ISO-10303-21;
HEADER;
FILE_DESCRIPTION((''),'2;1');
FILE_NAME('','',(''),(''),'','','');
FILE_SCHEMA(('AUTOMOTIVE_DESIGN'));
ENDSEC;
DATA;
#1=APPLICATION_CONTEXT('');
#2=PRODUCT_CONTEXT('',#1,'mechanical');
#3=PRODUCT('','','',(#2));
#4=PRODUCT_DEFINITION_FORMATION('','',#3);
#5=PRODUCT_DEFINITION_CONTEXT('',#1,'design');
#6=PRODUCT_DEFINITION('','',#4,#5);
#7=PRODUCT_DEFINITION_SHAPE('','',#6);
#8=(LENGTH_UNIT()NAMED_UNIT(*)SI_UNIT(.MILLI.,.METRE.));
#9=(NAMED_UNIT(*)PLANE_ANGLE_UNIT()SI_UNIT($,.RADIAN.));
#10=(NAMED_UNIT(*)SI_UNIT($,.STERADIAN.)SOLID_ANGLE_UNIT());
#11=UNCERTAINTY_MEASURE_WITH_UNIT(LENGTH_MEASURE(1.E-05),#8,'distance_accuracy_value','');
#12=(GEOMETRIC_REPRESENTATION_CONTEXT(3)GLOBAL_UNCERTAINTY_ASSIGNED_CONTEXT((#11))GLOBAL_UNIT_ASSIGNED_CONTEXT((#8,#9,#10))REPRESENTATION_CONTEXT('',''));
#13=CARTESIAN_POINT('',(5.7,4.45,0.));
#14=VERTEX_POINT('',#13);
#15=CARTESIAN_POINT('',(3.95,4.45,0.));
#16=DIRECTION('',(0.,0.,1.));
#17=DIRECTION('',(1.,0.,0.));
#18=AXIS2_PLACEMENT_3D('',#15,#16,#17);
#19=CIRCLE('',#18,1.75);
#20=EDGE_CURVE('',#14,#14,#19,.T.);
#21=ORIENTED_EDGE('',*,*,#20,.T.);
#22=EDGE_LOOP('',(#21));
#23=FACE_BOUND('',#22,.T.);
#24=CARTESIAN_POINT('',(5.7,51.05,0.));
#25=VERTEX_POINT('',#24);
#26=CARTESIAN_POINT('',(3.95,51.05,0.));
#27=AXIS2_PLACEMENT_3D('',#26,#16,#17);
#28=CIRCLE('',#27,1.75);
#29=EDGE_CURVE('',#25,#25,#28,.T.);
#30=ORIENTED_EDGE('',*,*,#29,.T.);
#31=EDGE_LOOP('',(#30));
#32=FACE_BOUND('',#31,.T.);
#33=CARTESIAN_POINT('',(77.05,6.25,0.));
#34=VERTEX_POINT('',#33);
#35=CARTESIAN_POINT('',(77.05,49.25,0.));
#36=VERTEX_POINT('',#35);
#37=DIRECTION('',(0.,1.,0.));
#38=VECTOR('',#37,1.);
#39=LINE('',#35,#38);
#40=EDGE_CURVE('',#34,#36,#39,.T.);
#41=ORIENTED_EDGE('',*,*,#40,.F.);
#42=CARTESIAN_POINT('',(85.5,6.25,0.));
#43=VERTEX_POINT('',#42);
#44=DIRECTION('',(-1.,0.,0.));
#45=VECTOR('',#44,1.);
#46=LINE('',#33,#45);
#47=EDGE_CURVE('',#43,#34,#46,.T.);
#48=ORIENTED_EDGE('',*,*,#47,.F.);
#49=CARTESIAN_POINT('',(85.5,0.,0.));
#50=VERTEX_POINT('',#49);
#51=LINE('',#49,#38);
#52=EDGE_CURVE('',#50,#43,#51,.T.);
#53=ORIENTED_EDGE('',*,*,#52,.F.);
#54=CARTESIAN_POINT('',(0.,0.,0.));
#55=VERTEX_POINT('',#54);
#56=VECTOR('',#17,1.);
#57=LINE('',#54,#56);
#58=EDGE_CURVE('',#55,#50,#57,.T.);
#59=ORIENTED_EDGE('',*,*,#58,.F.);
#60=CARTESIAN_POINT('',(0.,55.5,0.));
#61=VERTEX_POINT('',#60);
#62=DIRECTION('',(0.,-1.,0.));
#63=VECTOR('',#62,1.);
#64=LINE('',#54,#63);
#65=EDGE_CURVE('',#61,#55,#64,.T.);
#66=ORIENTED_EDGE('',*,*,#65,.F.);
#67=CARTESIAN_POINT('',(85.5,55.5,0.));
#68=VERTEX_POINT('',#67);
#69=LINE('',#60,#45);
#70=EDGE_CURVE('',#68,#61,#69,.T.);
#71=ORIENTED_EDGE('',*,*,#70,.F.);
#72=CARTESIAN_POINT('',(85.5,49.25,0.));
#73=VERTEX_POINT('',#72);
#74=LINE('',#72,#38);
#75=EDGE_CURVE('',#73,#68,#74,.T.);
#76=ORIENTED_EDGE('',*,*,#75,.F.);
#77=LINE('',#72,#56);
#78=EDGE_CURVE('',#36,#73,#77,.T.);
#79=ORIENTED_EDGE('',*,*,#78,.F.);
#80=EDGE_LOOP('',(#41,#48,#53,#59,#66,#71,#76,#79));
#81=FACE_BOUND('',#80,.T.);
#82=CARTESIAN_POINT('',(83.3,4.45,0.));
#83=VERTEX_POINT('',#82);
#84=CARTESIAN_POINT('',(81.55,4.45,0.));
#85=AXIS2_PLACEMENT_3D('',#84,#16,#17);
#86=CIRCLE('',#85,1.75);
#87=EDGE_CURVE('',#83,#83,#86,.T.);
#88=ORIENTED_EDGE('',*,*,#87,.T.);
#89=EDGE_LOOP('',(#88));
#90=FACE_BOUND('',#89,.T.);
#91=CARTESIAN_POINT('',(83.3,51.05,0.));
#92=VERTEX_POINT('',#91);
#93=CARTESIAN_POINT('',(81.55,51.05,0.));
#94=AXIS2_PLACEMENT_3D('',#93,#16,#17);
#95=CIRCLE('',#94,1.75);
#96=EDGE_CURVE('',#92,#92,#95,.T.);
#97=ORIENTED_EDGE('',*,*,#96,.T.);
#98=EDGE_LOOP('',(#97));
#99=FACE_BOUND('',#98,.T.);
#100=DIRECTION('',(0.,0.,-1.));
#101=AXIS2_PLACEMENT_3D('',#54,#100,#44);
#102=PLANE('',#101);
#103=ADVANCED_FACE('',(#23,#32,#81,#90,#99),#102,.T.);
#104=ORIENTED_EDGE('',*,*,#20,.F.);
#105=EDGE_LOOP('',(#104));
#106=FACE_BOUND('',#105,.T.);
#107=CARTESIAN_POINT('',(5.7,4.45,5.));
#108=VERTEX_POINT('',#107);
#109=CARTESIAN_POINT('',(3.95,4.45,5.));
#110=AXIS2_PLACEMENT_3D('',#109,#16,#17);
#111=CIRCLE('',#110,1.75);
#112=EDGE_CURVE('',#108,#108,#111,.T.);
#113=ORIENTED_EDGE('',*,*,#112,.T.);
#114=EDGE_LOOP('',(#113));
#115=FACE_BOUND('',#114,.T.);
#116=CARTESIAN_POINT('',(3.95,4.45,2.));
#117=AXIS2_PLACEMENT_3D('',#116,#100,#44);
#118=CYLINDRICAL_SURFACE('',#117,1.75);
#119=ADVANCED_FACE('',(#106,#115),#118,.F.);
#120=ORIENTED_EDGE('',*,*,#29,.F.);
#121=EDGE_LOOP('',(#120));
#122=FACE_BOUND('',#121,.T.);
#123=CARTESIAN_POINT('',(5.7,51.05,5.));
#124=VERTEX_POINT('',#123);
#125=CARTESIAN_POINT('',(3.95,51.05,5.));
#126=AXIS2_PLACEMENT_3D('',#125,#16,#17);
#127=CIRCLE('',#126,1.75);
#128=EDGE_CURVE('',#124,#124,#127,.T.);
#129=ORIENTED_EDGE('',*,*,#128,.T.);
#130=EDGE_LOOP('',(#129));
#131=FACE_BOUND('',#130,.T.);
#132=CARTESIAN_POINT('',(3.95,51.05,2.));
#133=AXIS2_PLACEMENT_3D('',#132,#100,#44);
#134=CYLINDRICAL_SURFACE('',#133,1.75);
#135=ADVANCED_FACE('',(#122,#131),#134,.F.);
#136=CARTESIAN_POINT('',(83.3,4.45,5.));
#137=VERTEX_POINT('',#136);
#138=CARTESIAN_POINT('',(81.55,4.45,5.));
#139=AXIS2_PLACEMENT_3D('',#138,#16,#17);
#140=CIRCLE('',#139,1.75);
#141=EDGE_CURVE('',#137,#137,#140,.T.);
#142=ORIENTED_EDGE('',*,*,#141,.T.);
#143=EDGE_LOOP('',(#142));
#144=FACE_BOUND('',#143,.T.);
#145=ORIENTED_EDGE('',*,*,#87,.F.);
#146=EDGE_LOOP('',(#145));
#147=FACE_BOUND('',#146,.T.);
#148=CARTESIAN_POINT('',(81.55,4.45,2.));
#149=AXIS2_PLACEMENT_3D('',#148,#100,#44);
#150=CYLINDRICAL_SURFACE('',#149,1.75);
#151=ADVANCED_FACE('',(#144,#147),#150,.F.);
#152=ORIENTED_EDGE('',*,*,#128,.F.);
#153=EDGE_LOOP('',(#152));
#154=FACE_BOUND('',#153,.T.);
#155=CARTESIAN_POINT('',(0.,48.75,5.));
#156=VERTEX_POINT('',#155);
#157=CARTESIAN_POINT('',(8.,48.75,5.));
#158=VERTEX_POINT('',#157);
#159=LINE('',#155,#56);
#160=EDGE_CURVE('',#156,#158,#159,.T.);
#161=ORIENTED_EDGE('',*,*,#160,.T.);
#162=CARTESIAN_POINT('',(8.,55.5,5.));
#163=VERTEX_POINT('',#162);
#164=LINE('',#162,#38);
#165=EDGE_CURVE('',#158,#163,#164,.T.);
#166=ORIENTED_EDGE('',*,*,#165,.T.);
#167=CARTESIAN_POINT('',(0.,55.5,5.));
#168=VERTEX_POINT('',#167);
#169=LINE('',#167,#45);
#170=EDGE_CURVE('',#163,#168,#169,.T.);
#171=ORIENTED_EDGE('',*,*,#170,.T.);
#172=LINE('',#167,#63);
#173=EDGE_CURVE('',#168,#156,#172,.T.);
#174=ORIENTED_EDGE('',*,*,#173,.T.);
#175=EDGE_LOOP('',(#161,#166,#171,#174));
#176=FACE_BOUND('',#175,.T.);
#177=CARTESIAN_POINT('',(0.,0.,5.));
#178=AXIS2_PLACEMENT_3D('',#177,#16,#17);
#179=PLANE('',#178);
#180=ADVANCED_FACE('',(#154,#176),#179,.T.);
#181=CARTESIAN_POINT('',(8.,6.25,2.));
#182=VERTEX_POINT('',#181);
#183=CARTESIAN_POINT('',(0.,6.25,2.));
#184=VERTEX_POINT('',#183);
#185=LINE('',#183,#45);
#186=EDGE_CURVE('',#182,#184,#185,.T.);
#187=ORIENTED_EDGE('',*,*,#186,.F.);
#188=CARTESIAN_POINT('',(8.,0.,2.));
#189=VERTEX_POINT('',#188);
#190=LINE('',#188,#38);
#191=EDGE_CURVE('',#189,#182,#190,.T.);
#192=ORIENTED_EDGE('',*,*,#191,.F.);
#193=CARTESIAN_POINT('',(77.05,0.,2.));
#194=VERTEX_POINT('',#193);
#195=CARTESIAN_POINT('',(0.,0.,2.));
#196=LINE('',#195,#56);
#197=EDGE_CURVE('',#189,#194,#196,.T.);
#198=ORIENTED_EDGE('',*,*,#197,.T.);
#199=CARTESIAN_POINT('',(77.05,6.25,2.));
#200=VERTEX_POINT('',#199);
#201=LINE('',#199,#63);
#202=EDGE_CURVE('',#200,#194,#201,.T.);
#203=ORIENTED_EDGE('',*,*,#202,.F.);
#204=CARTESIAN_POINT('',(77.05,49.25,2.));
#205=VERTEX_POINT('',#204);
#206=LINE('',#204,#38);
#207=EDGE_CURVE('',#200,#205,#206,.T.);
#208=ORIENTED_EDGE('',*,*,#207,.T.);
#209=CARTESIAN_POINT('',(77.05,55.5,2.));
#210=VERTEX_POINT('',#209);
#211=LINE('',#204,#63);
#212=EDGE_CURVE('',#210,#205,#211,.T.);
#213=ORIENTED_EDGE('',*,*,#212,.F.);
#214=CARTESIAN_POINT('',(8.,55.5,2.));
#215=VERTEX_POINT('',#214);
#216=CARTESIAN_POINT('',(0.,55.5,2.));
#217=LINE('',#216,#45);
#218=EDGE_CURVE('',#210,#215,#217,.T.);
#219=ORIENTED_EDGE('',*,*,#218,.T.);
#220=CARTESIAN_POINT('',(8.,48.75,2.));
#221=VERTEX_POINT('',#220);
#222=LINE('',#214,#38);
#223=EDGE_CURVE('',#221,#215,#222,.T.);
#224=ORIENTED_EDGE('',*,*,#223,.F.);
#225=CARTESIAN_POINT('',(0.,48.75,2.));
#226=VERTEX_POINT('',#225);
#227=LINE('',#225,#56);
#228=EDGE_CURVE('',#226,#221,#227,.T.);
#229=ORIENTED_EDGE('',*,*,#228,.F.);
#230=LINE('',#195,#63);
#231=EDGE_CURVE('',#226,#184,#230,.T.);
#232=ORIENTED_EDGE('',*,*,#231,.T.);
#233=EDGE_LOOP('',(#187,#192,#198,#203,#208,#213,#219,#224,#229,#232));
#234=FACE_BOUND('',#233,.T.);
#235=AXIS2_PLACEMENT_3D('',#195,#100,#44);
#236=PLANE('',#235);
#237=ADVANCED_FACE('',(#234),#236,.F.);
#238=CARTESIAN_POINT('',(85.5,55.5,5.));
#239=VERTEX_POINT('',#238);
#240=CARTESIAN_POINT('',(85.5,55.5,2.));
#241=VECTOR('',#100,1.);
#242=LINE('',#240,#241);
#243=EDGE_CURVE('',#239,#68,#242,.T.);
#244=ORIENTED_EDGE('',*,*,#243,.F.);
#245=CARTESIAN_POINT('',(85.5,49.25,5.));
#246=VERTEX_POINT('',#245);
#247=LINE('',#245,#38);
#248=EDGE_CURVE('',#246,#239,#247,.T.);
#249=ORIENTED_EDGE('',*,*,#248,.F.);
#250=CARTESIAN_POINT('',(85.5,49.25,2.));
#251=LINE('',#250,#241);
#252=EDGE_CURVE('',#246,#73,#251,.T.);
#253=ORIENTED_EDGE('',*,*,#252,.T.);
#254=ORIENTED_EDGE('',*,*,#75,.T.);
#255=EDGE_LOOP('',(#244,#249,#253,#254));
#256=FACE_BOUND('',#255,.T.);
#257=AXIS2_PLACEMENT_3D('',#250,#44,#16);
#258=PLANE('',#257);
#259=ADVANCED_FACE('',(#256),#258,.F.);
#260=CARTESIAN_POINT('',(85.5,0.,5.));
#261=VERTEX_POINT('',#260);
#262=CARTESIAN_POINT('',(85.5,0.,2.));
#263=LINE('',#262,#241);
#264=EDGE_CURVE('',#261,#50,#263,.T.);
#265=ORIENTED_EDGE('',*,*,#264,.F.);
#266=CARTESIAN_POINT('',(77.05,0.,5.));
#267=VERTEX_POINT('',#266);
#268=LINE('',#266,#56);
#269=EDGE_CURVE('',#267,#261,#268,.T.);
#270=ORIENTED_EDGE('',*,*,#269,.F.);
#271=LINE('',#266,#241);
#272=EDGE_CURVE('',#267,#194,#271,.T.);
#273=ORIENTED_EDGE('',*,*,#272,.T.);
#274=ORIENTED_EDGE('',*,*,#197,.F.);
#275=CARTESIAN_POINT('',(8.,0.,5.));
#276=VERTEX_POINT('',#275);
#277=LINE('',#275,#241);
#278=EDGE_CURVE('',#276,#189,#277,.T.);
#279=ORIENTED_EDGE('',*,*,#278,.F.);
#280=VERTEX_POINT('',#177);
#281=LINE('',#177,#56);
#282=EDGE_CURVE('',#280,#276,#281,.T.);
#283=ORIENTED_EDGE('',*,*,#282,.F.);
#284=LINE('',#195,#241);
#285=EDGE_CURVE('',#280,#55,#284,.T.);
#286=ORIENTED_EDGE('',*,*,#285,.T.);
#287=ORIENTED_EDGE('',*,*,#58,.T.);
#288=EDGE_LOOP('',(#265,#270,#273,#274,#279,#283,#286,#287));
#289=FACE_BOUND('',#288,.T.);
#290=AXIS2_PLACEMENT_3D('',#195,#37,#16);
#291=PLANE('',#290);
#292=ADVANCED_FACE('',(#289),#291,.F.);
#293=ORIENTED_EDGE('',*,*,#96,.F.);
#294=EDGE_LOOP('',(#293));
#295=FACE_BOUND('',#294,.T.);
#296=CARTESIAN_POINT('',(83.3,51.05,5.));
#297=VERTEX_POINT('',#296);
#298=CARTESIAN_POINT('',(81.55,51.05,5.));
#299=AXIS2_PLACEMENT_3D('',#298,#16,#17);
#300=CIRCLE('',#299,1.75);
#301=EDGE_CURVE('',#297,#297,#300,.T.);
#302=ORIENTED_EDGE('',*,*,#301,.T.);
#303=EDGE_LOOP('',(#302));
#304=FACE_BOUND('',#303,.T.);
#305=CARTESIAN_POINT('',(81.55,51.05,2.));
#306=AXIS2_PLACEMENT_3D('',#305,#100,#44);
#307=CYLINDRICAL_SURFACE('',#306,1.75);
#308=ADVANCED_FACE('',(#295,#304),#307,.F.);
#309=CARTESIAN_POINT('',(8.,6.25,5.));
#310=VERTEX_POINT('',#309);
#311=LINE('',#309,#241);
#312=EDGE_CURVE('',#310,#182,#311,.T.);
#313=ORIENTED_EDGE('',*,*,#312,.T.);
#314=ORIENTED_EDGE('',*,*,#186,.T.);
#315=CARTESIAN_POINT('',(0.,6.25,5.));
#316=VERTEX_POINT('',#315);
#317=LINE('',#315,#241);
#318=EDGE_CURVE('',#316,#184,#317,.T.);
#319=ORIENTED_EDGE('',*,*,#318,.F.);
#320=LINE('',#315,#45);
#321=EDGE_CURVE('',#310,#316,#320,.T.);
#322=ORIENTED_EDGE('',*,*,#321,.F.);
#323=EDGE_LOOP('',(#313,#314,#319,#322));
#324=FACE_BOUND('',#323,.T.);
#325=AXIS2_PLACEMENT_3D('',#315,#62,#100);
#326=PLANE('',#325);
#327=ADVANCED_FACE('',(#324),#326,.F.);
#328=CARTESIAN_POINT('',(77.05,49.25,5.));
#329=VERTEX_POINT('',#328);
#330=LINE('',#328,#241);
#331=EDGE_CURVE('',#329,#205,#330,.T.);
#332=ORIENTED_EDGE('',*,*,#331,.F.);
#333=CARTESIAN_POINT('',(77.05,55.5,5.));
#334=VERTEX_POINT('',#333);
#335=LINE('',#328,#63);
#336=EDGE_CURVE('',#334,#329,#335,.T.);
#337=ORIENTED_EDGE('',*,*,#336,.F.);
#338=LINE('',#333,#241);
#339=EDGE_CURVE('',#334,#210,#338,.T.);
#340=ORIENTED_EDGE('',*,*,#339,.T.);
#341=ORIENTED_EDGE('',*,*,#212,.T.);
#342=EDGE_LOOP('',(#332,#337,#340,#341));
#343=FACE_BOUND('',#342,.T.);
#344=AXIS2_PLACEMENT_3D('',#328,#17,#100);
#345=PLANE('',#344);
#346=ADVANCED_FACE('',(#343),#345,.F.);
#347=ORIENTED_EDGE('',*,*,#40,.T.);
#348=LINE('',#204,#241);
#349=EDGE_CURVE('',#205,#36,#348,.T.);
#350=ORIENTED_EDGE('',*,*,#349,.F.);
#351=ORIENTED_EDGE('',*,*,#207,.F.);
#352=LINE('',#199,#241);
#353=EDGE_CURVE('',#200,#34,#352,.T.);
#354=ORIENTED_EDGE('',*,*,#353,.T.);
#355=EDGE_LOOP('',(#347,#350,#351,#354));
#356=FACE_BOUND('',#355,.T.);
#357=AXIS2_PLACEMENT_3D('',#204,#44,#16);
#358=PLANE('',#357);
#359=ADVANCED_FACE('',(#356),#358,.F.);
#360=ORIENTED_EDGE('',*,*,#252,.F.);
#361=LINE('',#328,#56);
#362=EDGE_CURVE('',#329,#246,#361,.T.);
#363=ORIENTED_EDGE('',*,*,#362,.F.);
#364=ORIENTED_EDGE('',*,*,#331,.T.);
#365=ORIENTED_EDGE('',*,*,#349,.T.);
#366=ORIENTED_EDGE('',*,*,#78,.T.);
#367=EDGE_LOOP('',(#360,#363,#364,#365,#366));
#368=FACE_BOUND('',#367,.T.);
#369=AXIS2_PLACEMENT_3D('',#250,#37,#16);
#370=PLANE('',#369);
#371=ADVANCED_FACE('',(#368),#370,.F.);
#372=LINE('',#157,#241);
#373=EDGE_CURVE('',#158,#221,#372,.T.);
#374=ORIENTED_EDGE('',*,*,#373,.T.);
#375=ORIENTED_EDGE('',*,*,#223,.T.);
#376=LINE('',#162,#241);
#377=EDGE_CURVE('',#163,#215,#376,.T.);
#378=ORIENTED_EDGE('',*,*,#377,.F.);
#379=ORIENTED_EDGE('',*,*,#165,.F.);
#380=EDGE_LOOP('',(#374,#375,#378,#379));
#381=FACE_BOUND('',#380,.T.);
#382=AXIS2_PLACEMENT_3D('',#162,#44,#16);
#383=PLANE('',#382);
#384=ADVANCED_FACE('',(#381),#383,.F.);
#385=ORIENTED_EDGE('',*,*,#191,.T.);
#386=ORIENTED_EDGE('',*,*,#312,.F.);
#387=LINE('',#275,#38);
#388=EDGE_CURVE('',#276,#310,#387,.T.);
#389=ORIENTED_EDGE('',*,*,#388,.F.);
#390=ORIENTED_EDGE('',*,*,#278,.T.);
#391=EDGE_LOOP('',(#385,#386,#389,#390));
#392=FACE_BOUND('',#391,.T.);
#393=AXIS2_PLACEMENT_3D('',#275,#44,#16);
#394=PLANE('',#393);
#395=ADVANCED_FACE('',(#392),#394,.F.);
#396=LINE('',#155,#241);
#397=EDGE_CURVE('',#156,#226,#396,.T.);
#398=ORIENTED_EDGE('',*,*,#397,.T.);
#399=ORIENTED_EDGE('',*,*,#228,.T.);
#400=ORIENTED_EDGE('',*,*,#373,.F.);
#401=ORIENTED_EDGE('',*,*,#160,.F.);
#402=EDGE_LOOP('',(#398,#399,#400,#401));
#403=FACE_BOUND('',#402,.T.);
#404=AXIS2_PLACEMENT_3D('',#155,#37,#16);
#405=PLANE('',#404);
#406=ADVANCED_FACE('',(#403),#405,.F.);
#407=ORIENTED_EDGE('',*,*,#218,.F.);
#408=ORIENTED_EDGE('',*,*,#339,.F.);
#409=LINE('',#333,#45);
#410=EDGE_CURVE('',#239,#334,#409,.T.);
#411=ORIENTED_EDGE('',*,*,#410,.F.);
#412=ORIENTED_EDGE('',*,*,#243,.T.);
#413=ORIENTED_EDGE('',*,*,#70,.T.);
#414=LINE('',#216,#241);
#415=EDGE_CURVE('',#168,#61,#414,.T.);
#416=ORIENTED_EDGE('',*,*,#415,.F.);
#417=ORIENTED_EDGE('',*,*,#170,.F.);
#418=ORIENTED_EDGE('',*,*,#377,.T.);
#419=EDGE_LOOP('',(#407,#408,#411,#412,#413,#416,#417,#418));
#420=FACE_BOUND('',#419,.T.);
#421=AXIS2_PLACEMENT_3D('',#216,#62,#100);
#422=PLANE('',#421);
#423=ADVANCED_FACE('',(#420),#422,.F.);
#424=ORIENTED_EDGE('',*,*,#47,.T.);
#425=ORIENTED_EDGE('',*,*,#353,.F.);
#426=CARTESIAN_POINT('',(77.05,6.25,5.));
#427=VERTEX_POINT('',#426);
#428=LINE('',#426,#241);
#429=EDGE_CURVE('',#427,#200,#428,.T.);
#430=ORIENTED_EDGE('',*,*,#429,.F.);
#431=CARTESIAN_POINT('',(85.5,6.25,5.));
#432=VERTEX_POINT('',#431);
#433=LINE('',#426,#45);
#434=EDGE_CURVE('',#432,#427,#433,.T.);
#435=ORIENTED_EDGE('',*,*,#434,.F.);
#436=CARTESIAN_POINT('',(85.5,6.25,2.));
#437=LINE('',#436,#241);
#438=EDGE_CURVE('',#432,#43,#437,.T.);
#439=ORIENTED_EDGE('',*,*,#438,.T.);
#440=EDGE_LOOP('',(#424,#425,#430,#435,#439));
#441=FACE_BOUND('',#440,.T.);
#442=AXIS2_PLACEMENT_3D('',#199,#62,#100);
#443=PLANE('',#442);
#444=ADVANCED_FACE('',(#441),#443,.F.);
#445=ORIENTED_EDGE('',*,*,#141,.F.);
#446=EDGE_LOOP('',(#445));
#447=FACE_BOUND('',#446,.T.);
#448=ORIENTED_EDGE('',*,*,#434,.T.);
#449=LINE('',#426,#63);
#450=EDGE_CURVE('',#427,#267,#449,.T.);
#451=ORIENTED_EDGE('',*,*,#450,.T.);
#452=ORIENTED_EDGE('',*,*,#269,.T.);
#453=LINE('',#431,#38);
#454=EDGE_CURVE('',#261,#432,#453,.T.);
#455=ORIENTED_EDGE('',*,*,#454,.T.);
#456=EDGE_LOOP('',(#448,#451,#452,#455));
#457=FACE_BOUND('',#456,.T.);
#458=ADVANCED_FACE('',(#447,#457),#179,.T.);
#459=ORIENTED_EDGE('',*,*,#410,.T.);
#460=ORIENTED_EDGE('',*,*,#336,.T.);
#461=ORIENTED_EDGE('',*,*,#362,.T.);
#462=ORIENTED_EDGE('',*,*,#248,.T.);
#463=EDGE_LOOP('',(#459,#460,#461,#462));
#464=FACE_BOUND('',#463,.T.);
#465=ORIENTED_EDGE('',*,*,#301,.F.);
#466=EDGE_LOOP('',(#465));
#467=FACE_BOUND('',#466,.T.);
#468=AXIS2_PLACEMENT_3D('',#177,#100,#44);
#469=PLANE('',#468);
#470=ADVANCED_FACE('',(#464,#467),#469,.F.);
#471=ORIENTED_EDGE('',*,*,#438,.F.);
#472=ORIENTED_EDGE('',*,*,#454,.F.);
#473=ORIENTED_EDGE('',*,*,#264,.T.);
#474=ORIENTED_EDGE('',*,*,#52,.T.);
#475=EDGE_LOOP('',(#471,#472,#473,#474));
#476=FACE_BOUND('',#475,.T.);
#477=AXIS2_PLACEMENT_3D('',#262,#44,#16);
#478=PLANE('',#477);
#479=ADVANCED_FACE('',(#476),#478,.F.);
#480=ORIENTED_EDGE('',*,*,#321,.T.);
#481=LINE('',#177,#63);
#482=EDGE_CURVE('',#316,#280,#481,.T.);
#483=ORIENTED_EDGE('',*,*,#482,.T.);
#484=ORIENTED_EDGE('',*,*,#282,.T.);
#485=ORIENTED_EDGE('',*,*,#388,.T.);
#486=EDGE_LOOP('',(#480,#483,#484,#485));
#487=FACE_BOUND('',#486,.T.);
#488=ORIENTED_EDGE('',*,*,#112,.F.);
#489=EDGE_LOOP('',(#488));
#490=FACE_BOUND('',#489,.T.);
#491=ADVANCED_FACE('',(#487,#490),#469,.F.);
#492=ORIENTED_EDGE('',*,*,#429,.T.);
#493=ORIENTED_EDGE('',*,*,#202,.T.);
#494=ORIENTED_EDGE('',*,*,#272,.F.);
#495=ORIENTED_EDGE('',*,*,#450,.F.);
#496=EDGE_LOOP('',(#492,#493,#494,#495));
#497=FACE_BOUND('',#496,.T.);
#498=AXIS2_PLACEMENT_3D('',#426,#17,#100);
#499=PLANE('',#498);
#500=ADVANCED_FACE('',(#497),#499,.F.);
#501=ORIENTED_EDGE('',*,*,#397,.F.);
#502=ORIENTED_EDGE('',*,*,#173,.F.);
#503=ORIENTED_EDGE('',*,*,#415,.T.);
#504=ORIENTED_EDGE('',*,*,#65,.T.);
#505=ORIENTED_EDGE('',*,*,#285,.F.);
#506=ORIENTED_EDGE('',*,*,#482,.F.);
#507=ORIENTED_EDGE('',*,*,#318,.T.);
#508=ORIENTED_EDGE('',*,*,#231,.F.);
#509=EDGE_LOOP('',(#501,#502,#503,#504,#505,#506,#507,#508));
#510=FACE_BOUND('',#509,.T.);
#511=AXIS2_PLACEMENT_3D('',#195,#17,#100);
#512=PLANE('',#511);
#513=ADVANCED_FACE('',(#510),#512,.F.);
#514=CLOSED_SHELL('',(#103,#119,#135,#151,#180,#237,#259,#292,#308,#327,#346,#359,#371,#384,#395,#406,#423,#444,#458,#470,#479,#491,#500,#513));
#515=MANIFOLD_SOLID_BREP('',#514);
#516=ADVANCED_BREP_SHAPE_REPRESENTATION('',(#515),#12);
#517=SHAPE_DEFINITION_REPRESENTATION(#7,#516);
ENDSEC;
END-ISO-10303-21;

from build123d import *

# Parameters (mm, degrees)
SKETCH_1_R      = 1.75
EXTRUDE_1_DEPTH = 2
SKETCH_3_W      = 8
SKETCH_3_H      = 6.75
SKETCH_3_R      = 1.75
SKETCH_3_H_2    = 6.25
SKETCH_3_W_2    = 8.45
EXTRUDE_2_DEPTH = 3


with BuildPart() as part:
    # 草图1 → 凸台-拉伸1 (new body)
    with BuildSketch(Plane.XY):
        Polygon((85.5, 49.25), (77.05, 49.25), (77.05, 6.25), (85.5, 6.25), (85.5, 0), (0, 0), (0, 55.5), (85.5, 55.5), align=None)
        with Locations((3.95, 51.05)):
            Circle(SKETCH_1_R, mode=Mode.SUBTRACT)
        with Locations((81.55, 51.05)):
            Circle(SKETCH_1_R, mode=Mode.SUBTRACT)
        with Locations((3.95, 4.45)):
            Circle(SKETCH_1_R, mode=Mode.SUBTRACT)
        with Locations((81.55, 4.45)):
            Circle(SKETCH_1_R, mode=Mode.SUBTRACT)
    extrude(amount=EXTRUDE_1_DEPTH)

    # 草图3 → 凸台-拉伸2 (add)
    # profile 1 of 4: a face of its own
    with BuildSketch(Plane.XY.offset(2)):
        with Locations((4, 52.125)):
            Rectangle(SKETCH_3_W, SKETCH_3_H)
        with Locations((3.95, 51.05)):
            Circle(SKETCH_3_R, mode=Mode.SUBTRACT)
    # profile 2 of 4: a face of its own
    with BuildSketch(Plane.XY.offset(2)):
        with Locations((4, 3.125)):
            Rectangle(SKETCH_3_W, SKETCH_3_H_2)
        with Locations((3.95, 4.45)):
            Circle(SKETCH_3_R, mode=Mode.SUBTRACT)
    # profile 3 of 4: a face of its own
    with BuildSketch(Plane.XY.offset(2)):
        with Locations((81.275, 52.375)):
            Rectangle(SKETCH_3_W_2, SKETCH_3_H_2)
        with Locations((81.55, 51.05)):
            Circle(SKETCH_3_R, mode=Mode.SUBTRACT)
    # profile 4 of 4: a face of its own
    with BuildSketch(Plane.XY.offset(2)):
        with Locations((81.275, 3.125)):
            Rectangle(SKETCH_3_W_2, SKETCH_3_H_2)
        with Locations((81.55, 4.45)):
            Circle(SKETCH_3_R, mode=Mode.SUBTRACT)
    extrude(amount=EXTRUDE_2_DEPTH)


solid = part.part
